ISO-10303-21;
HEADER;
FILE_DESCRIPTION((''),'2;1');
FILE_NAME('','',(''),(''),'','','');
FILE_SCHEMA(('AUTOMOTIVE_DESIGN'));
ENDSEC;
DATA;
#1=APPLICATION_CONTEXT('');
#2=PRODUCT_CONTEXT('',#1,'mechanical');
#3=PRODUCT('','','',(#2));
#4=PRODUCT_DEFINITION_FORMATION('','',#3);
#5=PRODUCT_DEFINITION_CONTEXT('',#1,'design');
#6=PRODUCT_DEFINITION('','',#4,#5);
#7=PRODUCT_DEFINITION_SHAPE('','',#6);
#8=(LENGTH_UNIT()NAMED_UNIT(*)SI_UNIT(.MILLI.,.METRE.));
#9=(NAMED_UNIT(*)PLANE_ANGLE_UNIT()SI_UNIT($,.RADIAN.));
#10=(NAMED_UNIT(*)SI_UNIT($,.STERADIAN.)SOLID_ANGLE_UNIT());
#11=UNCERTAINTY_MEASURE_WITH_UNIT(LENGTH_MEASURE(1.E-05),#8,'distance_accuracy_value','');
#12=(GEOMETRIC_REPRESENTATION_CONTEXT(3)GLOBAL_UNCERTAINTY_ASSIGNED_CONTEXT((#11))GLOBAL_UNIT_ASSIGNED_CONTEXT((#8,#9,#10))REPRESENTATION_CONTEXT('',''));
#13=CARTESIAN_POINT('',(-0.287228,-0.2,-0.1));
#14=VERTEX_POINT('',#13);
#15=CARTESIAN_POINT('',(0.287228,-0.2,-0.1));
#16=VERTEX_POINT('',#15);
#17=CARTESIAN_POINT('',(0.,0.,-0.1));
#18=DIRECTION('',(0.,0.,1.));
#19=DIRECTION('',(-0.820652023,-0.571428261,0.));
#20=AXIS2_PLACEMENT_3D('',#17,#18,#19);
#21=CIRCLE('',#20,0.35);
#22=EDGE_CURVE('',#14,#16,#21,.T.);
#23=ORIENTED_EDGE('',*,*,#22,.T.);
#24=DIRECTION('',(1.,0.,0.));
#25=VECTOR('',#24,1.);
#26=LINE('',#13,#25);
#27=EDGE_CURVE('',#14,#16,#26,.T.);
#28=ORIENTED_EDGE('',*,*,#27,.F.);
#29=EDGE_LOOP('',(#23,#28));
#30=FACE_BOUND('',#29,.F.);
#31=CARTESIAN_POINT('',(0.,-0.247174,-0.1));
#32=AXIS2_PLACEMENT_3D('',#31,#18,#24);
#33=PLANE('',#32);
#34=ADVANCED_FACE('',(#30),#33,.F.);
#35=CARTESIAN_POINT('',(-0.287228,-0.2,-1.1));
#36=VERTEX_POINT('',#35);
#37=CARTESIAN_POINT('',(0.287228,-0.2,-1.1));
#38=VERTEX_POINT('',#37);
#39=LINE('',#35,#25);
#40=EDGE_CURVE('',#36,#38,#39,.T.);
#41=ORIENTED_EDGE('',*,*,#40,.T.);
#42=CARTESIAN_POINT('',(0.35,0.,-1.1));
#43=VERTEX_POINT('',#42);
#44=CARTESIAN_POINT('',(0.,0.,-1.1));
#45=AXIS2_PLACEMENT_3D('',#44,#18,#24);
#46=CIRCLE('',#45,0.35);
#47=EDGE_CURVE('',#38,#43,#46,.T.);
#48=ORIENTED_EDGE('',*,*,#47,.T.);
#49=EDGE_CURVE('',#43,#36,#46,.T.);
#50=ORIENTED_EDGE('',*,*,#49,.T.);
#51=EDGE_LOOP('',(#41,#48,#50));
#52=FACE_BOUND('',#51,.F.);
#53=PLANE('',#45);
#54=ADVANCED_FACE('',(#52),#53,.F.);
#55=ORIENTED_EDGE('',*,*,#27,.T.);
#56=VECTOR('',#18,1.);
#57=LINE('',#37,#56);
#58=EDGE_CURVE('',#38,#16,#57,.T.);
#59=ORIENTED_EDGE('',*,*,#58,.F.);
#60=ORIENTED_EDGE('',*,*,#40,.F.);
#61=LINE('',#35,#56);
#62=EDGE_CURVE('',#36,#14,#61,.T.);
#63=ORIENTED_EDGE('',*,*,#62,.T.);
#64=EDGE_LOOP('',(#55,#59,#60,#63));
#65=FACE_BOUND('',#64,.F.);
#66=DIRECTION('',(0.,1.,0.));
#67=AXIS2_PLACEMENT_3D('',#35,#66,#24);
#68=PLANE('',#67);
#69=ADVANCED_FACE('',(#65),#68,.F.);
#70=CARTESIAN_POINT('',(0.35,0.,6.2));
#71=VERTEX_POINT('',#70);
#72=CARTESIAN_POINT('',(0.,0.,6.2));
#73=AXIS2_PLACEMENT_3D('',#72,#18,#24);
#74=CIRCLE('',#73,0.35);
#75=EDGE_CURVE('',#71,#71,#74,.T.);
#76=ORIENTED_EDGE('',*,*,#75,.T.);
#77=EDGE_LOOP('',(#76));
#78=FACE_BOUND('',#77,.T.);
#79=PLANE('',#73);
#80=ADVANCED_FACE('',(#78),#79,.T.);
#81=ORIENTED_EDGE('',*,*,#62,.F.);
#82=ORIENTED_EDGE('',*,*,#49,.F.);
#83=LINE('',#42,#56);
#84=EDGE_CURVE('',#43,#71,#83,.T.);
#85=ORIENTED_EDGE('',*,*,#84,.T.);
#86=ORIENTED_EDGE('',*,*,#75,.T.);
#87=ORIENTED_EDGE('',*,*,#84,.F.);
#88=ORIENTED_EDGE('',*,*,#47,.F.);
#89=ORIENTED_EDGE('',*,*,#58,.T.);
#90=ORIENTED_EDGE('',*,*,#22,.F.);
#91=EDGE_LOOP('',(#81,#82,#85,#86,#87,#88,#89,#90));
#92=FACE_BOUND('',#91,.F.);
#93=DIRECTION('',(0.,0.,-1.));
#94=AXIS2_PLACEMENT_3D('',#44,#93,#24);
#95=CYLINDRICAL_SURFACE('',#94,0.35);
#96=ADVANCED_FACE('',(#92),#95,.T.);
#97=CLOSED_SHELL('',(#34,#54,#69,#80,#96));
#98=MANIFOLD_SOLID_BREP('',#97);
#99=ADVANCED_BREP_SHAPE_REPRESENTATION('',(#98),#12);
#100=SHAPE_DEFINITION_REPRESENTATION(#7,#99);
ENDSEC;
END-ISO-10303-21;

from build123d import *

# Parameters (mm, degrees)
EXTRUDE004_DEPTH  = 1
CYLINDER005_R     = 0.35
CYLINDER005_DEPTH = 7.3


with BuildPart() as extrude004:
    # Sketch (on Cylinder) → Extrude004 (new body)
    with BuildSketch(Plane.XY.offset(-1.1)):
        with BuildLine():
            ThreePointArc((-0.287228, -0.2), (0, -0.35), (0.287228, -0.2))
            Line((-0.287228, -0.2), (0.287228, -0.2))
        make_face()
    extrude(amount=EXTRUDE004_DEPTH)


with BuildPart() as shaft:
    # Cylinder005 → Cylinder005 (new body)
    with BuildSketch(Plane.XY.offset(-1.1)):
        Circle(CYLINDER005_R)
    extrude(amount=CYLINDER005_DEPTH)

    # Cut005: cut Extrude004
    add(extrude004.part, mode=Mode.SUBTRACT)


solid = shaft.part
